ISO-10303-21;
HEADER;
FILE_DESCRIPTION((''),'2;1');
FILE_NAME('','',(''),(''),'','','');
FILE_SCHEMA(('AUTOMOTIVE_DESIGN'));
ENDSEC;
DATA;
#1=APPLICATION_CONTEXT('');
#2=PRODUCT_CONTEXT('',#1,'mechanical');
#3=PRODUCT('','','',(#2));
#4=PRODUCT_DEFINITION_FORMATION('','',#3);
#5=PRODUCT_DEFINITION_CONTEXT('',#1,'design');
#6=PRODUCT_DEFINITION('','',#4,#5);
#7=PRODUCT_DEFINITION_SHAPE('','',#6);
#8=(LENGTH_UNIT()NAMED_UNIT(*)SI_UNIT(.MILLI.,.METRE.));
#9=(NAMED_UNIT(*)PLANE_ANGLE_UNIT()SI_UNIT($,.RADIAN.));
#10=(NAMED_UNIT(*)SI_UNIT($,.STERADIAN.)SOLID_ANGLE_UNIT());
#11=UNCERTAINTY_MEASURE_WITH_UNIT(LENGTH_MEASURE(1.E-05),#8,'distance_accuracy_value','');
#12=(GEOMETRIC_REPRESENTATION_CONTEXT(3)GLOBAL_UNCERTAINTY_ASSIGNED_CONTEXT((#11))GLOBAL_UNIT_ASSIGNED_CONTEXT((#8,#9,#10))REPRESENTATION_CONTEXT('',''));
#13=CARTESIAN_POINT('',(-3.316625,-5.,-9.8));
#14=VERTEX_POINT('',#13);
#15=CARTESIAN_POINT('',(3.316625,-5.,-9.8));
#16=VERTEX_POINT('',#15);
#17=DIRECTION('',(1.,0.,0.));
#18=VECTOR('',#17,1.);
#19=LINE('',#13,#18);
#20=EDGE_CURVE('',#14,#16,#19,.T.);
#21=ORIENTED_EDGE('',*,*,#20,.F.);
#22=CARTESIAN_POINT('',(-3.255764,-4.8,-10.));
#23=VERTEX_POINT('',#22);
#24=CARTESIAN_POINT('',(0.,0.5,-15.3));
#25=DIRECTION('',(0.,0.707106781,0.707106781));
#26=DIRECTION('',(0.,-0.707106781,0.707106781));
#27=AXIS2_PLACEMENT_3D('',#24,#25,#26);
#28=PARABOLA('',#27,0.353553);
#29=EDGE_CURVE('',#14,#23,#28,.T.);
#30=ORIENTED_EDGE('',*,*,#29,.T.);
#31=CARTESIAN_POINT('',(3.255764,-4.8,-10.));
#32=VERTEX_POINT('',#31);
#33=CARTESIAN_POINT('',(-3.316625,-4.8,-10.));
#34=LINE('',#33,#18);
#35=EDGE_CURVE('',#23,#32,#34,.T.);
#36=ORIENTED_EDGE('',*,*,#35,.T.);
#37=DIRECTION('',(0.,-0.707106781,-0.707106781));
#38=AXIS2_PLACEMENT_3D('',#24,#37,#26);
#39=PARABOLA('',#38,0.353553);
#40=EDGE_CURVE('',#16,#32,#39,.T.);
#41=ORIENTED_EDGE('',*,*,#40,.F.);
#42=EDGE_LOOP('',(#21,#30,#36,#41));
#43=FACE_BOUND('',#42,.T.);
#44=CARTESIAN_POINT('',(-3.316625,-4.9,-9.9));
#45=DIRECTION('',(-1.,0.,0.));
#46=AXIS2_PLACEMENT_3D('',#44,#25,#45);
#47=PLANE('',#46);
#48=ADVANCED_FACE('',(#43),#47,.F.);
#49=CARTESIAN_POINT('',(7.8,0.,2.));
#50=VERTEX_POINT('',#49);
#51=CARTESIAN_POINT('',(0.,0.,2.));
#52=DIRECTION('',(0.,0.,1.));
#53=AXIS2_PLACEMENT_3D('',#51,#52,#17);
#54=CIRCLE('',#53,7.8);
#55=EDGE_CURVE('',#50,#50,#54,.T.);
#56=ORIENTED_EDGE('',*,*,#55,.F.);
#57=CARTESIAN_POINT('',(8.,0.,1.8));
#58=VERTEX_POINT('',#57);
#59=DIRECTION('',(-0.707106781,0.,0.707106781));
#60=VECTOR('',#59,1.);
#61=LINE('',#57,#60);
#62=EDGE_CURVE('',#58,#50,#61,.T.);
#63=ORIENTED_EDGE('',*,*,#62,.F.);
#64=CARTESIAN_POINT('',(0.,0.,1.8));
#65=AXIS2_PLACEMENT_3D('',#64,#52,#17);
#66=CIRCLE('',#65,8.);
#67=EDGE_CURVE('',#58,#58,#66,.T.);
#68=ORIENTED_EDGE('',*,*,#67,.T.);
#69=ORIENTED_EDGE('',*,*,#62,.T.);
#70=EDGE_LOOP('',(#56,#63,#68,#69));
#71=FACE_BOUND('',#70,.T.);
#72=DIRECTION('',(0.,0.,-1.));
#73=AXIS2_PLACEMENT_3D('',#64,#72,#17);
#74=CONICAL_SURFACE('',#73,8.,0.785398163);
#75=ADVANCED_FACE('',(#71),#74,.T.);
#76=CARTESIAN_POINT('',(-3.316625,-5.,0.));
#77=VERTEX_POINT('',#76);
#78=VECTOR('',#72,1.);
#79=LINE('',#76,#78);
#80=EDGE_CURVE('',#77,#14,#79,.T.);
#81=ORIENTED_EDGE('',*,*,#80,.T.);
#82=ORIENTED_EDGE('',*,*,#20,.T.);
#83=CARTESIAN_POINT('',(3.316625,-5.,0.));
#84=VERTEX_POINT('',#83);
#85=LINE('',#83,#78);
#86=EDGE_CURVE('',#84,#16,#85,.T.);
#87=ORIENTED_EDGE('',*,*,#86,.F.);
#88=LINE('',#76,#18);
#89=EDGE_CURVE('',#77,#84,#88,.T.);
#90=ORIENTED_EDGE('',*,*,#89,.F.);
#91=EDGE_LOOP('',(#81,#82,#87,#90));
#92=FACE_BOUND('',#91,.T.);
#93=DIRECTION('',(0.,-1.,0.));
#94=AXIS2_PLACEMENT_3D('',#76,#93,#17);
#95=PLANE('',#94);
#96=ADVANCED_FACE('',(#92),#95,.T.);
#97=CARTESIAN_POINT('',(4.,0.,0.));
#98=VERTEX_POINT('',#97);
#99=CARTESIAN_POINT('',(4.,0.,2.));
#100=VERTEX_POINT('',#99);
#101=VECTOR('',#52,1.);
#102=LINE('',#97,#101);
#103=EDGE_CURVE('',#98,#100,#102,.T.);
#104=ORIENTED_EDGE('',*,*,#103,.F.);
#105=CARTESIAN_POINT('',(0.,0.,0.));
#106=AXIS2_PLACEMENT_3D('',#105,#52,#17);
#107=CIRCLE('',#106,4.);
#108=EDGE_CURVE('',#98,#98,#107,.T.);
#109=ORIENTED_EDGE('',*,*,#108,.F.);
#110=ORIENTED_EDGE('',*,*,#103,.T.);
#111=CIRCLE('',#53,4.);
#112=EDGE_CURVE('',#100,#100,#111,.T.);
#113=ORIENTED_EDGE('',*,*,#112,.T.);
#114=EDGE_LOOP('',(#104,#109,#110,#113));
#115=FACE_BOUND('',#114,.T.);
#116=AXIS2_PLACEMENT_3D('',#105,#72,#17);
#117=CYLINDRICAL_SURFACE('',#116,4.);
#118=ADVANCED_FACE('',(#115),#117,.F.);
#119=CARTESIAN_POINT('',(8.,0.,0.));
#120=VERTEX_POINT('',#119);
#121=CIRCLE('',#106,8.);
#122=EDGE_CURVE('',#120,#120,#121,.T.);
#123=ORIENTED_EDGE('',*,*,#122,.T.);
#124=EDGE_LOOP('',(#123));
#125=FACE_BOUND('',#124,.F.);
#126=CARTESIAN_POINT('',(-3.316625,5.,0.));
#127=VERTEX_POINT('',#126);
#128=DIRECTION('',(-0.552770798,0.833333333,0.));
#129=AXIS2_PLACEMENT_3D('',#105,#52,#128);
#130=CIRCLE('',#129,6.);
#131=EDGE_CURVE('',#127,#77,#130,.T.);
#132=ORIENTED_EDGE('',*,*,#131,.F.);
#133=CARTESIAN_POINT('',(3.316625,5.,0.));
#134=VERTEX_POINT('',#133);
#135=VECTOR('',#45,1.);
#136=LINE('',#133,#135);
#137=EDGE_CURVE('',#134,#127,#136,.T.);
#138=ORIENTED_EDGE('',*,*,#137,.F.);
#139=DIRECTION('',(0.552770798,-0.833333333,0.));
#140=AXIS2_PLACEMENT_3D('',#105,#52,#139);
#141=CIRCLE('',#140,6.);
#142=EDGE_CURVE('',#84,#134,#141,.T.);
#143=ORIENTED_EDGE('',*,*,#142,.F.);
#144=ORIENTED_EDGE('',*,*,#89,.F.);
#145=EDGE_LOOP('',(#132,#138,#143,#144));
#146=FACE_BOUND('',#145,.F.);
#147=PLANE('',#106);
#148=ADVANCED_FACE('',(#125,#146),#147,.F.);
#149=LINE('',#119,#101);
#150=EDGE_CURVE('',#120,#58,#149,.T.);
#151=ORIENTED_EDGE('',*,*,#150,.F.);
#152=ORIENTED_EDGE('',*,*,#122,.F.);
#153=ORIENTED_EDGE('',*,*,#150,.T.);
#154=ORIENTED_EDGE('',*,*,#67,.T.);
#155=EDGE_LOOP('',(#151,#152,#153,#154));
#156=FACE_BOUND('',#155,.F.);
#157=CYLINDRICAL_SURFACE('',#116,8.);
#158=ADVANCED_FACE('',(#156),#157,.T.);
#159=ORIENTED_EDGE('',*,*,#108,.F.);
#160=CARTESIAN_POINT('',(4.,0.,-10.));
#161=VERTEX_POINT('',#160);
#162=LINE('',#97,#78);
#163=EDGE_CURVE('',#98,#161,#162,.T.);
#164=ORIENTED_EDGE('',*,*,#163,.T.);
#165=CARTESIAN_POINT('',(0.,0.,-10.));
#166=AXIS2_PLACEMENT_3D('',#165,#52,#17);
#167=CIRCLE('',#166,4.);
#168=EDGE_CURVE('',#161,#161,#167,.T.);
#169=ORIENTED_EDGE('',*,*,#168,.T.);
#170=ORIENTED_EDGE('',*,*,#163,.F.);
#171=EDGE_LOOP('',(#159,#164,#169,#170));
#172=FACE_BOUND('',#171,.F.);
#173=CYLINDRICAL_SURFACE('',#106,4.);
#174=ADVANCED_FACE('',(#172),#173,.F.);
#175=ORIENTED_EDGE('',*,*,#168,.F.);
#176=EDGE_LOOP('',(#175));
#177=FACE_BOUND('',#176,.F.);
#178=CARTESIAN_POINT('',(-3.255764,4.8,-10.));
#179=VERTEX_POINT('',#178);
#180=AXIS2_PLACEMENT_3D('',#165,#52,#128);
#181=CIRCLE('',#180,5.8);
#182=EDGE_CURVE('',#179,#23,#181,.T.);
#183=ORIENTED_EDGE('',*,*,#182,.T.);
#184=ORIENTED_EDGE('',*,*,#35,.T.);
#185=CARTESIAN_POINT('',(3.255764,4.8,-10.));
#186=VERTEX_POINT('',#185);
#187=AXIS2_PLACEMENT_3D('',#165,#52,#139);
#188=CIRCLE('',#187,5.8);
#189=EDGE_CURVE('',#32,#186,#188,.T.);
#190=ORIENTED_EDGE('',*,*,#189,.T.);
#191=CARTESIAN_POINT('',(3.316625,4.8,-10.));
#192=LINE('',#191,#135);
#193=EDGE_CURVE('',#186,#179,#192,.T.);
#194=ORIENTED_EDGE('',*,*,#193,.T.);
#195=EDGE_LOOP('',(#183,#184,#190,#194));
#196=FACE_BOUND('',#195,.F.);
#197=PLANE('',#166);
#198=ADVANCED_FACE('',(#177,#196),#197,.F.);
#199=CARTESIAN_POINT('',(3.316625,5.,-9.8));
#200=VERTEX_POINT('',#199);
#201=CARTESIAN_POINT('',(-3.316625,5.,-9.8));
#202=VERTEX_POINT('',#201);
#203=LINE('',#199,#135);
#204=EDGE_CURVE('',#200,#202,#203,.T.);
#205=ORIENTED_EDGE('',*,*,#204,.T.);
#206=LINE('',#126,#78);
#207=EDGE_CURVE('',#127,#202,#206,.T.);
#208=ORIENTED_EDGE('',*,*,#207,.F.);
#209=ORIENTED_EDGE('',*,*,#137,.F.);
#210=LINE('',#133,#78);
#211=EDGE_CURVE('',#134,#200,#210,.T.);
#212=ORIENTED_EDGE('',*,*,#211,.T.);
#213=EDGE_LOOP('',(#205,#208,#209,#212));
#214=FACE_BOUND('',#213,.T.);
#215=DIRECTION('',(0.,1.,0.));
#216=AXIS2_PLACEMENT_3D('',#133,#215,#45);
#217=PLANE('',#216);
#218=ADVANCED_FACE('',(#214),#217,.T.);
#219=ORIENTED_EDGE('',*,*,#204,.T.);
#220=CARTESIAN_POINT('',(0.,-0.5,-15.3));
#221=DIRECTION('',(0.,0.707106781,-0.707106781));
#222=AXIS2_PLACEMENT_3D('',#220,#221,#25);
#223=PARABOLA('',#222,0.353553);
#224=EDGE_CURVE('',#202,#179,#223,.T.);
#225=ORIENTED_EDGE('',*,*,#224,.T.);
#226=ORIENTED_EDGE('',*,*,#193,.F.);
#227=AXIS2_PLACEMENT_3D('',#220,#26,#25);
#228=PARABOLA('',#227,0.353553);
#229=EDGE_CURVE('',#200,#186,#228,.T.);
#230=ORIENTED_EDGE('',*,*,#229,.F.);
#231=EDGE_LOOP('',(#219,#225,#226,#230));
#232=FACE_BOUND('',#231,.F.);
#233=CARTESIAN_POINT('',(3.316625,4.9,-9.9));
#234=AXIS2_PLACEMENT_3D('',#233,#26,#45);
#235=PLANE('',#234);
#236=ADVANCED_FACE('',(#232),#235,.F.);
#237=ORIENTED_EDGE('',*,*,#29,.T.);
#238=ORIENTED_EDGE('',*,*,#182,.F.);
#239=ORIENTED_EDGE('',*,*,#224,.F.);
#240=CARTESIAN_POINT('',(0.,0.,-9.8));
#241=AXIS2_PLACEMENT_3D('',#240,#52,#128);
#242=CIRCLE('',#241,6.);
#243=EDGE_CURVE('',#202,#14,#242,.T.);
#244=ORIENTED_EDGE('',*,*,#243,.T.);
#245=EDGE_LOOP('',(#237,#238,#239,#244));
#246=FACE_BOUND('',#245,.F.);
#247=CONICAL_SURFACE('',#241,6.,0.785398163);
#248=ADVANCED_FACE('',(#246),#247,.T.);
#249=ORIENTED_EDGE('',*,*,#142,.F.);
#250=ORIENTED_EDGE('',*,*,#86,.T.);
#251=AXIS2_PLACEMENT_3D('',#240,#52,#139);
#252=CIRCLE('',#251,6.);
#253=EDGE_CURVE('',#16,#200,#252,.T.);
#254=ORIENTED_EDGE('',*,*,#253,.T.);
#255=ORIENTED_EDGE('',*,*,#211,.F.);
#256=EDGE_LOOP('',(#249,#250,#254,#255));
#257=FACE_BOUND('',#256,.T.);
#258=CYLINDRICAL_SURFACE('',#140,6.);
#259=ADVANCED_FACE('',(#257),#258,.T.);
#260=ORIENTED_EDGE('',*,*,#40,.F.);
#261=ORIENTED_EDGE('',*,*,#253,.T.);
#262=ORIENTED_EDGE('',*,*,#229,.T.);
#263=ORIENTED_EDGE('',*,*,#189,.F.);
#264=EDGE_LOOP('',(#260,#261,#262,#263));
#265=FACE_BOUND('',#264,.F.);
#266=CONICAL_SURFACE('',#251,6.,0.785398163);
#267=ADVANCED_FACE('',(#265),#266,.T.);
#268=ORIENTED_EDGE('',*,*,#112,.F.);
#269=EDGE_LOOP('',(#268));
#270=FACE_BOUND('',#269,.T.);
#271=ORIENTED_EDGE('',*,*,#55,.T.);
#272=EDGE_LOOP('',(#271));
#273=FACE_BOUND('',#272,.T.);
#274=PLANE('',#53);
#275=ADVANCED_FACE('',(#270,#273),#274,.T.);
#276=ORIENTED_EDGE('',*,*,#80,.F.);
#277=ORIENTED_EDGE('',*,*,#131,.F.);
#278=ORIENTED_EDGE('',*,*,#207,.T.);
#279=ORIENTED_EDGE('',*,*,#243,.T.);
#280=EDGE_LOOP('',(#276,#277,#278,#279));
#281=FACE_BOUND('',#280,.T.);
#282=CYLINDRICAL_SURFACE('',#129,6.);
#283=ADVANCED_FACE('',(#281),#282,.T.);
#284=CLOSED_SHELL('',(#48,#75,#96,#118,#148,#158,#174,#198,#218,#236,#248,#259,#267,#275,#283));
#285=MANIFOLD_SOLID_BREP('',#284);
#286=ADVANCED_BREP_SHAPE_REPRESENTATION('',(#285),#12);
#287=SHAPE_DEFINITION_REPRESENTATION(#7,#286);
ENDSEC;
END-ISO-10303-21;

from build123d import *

# Parameters (mm, degrees)
F0_R     = 8
F0_R_2   = 4
F1_DEPTH = 2
F2_DEPTH = 10
F3_SIZE  = 0.2


with BuildPart() as f1:
    # F0 (on Top) → F1 (new body)
    with BuildSketch(Plane.XY):
        Circle(F0_R)
        with BuildLine():
            ThreePointArc((-3.3166247904, -5), (-6, 0), (-3.3166247904, 5))
            Line((-3.3166247904, 5), (3.3166247904, 5))
            ThreePointArc((3.3166247904, 5), (6, 0), (3.3166247904, -5))
            Line((3.3166247904, -5), (-3.3166247904, -5))
        make_face(mode=Mode.SUBTRACT)
        with BuildLine():
            Line((3.3166247904, 5), (-3.3166247904, 5))
            ThreePointArc((-3.3166247904, 5), (-6, 0), (-3.3166247904, -5))
            Line((-3.3166247904, -5), (3.3166247904, -5))
            ThreePointArc((3.3166247904, -5), (6, 0), (3.3166247904, 5))
        make_face()
        Circle(F0_R_2, mode=Mode.SUBTRACT)
    extrude(amount=F1_DEPTH)

    # F0 (on Top) → F2 (join)
    with BuildSketch(Plane.XY):
        with BuildLine():
            Line((3.3166247904, 5), (-3.3166247904, 5))
            ThreePointArc((-3.3166247904, 5), (-6, 0), (-3.3166247904, -5))
            Line((-3.3166247904, -5), (3.3166247904, -5))
            ThreePointArc((3.3166247904, -5), (6, 0), (3.3166247904, 5))
        make_face()
        Circle(F0_R_2, mode=Mode.SUBTRACT)
    extrude(amount=-F2_DEPTH)

    # F3
    f3_edges = [f1.edges().sort_by_distance(p)[0] for p in [
        (-8, 0, 2),
        (-6, 0, -10),
        (0, 5, -10),
        (6, 0, -10),
        (0, -5, -10),
    ]]
    chamfer(f3_edges, length=F3_SIZE)


solid = f1.part
